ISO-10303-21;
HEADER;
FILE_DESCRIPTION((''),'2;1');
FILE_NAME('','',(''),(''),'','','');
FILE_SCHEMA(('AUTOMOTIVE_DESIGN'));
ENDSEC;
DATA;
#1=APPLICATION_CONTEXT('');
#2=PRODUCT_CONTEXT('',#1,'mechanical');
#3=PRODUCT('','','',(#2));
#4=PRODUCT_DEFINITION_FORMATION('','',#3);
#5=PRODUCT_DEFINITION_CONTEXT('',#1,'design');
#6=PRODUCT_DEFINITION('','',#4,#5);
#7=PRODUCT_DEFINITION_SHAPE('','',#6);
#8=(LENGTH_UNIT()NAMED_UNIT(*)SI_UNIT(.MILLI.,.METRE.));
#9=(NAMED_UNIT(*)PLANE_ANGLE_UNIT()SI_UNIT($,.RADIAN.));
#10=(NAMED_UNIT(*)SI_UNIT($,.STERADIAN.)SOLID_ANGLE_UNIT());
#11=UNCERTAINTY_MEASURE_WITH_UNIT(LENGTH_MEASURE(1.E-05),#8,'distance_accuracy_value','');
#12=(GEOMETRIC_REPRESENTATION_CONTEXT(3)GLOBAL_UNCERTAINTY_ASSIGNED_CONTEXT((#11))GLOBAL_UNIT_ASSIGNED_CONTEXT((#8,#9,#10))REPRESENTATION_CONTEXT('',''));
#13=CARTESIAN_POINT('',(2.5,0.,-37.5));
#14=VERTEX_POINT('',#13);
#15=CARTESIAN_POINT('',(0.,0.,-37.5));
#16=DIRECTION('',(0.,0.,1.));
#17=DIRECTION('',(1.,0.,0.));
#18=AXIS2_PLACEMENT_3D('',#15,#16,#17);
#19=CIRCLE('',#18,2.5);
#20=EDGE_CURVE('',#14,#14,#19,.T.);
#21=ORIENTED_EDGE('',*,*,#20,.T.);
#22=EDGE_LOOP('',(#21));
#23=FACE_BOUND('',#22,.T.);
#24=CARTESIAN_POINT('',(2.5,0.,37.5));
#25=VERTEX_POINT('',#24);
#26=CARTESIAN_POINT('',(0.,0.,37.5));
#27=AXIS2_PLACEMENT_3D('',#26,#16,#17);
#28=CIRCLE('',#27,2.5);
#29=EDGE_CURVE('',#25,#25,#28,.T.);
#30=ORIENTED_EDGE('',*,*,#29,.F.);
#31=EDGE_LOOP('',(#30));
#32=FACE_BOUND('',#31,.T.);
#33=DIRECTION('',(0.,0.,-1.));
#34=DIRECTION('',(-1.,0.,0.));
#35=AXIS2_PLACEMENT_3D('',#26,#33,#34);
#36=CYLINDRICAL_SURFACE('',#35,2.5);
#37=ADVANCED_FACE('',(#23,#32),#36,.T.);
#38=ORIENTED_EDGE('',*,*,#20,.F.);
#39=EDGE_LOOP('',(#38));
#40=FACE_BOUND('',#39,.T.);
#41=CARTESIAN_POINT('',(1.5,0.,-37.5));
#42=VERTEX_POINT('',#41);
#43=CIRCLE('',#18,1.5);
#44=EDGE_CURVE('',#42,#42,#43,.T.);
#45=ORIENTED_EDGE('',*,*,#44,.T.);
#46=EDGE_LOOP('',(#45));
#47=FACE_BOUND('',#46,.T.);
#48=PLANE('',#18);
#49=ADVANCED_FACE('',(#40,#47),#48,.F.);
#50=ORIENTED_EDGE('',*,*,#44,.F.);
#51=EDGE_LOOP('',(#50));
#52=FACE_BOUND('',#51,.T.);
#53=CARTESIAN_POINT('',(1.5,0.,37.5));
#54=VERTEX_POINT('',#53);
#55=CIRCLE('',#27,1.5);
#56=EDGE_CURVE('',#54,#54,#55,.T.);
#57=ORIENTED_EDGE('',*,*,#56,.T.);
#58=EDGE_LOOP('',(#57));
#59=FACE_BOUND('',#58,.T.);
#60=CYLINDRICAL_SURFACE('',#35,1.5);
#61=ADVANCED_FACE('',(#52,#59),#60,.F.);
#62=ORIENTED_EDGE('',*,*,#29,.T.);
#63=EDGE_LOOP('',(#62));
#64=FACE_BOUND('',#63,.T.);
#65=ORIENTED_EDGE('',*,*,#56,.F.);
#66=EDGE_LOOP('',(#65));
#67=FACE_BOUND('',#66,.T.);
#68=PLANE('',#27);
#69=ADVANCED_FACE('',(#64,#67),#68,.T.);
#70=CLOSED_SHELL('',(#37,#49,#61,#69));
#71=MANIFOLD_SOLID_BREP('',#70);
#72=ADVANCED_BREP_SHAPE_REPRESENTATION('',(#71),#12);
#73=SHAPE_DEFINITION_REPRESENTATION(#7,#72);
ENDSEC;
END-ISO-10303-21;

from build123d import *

# Parameters (mm, degrees)
SKETCH_1_R      = 2.5
SKETCH_1_R_2    = 1.5
EXTRUDE_1_DEPTH = 37.5


with BuildPart() as part:
    # 草图1 → 凸台-拉伸1 (new, symmetric)
    with BuildSketch(Plane.XY):
        Circle(SKETCH_1_R)
        Circle(SKETCH_1_R_2, mode=Mode.SUBTRACT)
    extrude(amount=EXTRUDE_1_DEPTH, both=True)


solid = part.part
